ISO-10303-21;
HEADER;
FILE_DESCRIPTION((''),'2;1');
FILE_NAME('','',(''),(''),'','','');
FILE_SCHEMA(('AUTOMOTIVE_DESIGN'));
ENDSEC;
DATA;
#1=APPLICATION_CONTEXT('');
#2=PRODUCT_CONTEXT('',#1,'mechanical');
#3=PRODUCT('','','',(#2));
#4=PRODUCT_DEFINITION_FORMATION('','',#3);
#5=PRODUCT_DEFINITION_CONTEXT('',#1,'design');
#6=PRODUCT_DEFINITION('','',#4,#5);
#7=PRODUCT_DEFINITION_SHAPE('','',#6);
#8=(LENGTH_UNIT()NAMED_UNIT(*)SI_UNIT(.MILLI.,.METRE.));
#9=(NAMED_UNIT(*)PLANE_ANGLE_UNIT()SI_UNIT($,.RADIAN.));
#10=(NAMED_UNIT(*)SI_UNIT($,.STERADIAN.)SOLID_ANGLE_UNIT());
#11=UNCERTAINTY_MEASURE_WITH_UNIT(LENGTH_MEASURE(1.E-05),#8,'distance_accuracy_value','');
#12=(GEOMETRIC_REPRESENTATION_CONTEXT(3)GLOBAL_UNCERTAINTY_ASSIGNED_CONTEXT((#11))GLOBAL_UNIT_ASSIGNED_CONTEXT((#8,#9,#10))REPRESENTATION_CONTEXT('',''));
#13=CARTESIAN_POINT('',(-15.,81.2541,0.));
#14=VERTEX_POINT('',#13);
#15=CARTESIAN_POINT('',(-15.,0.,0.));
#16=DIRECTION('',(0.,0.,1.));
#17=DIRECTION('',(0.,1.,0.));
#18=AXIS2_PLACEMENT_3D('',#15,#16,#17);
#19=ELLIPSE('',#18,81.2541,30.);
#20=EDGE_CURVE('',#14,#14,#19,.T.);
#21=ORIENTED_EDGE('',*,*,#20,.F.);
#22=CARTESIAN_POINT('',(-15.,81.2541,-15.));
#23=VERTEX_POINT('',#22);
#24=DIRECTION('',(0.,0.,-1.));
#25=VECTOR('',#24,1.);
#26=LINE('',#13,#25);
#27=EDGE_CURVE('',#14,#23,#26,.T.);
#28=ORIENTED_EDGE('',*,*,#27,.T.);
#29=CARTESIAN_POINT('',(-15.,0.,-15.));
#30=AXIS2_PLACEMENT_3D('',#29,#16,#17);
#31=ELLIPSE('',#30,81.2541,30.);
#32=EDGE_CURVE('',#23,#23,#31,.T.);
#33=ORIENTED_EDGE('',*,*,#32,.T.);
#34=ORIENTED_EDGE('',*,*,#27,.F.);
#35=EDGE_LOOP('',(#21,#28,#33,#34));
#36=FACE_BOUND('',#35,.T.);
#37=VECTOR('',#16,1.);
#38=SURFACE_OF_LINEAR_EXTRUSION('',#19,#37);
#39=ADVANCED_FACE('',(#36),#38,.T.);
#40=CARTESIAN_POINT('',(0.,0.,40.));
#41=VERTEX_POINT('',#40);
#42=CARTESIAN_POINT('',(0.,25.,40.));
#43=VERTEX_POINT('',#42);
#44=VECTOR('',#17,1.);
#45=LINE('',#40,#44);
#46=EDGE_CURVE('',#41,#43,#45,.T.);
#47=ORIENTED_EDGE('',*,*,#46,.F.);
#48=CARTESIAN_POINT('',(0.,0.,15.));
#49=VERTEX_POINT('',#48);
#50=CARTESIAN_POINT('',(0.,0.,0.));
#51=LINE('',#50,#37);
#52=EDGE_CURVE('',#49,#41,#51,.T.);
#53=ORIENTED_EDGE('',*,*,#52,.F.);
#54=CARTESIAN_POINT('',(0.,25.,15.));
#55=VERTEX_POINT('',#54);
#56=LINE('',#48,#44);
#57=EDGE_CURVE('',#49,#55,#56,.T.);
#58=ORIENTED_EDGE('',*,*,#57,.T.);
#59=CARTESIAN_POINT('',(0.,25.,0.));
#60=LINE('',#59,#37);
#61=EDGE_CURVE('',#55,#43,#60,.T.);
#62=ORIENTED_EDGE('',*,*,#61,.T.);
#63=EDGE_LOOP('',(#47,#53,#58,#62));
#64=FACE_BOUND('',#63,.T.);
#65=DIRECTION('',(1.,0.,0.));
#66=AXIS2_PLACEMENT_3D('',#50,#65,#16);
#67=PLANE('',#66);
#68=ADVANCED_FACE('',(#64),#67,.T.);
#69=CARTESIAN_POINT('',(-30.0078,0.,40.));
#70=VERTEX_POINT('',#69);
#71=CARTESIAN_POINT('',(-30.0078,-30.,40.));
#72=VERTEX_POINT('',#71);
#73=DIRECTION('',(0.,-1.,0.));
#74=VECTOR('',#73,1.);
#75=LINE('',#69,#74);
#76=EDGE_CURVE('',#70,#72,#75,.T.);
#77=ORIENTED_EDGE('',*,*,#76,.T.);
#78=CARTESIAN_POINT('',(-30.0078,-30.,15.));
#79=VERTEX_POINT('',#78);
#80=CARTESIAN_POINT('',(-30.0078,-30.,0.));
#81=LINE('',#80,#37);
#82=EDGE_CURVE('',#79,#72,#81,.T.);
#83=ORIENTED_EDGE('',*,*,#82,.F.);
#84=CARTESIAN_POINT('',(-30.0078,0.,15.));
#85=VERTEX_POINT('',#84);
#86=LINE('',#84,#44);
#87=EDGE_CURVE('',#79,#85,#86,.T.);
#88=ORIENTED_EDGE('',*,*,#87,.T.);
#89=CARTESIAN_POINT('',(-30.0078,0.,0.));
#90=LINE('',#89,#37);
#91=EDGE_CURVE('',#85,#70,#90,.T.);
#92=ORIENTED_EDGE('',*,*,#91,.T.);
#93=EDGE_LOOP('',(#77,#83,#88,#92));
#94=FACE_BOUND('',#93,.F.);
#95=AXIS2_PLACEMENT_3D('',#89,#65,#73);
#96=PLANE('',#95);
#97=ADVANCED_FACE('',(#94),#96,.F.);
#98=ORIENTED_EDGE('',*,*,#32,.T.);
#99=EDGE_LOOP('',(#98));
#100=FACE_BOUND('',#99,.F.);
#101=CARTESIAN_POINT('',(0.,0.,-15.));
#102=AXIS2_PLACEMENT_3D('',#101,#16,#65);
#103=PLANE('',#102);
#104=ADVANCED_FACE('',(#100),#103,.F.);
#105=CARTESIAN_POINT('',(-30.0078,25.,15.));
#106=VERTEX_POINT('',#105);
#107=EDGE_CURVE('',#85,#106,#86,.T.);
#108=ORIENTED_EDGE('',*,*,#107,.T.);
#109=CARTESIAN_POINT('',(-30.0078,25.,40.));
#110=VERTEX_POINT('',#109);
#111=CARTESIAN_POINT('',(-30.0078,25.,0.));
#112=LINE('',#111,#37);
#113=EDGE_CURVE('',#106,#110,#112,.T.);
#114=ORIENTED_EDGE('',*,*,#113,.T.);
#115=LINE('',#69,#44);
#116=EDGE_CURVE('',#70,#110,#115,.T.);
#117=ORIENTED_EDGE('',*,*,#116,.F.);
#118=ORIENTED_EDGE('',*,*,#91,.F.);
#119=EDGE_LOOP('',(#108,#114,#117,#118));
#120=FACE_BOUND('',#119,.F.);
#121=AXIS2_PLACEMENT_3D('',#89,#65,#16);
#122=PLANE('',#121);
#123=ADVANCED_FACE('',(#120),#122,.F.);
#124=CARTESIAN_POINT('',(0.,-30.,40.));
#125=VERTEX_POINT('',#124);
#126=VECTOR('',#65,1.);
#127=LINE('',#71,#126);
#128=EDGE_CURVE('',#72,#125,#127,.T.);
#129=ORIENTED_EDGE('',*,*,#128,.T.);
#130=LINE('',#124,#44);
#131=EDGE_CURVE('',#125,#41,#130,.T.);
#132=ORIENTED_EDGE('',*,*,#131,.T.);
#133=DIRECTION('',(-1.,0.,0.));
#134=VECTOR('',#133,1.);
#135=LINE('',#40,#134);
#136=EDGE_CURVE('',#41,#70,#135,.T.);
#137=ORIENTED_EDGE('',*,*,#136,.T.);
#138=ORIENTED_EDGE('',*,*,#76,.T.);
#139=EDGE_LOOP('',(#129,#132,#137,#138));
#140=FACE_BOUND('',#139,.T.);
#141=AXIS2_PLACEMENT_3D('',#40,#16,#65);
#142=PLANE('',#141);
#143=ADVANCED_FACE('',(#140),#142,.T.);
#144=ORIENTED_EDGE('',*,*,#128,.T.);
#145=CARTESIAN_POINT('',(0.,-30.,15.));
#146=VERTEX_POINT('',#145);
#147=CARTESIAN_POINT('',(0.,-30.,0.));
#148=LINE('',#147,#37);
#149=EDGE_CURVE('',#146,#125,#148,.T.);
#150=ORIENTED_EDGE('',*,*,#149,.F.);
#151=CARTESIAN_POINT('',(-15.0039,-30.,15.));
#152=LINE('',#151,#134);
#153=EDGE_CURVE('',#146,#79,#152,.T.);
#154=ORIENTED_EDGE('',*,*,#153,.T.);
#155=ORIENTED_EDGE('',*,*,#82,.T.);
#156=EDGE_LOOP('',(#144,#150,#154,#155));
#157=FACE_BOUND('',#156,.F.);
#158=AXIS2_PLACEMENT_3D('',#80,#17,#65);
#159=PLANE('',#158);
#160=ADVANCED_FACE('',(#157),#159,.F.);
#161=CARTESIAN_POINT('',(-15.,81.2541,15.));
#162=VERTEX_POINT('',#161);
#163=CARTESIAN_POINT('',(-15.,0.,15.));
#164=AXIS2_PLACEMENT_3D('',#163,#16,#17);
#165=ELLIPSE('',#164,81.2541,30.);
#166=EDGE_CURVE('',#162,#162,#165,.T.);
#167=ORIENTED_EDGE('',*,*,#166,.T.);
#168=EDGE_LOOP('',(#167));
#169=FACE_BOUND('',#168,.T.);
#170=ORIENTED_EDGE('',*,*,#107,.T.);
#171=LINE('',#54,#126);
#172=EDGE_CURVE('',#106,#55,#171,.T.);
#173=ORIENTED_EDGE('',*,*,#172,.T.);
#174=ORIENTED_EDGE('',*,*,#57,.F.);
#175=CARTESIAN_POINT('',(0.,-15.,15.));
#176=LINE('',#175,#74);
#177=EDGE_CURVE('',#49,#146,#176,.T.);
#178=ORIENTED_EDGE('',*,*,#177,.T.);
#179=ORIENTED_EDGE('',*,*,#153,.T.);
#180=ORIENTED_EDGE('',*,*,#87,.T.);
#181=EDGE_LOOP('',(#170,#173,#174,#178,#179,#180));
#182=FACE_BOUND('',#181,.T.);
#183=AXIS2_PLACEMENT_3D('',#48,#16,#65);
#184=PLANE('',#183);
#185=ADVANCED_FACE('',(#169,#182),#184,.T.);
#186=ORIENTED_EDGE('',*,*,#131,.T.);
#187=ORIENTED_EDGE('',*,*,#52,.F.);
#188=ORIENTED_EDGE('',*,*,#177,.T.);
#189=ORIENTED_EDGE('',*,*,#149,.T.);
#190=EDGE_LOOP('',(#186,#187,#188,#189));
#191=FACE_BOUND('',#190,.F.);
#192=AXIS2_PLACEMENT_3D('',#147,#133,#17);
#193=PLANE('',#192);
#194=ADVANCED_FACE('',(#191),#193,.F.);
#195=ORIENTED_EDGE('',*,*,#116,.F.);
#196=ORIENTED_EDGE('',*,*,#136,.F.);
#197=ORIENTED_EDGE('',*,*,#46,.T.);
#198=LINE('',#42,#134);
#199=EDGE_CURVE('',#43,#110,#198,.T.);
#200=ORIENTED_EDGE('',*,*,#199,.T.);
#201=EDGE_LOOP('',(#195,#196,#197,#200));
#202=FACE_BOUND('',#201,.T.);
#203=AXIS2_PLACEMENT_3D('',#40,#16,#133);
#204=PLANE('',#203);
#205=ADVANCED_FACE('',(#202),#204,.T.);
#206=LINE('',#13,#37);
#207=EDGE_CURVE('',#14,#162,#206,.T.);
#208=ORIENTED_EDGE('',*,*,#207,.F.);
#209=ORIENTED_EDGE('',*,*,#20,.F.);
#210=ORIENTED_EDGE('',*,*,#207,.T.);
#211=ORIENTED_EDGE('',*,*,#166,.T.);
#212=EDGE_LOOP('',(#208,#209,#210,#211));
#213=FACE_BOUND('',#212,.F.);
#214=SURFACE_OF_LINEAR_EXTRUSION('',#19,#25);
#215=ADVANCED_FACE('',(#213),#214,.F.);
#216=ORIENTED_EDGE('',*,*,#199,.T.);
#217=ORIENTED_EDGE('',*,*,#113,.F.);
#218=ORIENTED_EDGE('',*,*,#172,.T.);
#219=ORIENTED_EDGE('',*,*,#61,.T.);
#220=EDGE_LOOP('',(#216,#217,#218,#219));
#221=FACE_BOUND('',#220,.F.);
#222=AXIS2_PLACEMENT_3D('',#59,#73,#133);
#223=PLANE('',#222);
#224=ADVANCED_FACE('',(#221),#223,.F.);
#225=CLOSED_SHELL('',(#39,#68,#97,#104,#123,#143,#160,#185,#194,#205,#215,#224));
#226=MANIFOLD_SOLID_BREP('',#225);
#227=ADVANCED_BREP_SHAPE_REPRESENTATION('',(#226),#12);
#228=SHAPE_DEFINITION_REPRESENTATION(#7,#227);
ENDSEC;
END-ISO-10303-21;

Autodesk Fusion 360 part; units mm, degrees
sketch "Sketch1" plane through (0, 0, 0) normal (0, 0, 1) x (1, 0, 0)
  ellipse E0 centre (-15, 0) end of major axis (15, 0) minor radius 81.2541
  line L0 (-45, 0) -> (15, 0) construction
  line L1 (-15, -81.2541) -> (-15, 81.2541) construction
extrude "Extrude1" add sketch "Sketch1" along normal mid plane 30 makes body 1
sketch "Sketch2" plane through (0, 0, 0) normal (0, 0, 1) x (1, 0, 0)
  line L0 (0, 0) -> (-30.0078, 0)
  line L1 (-30.0078, 0) -> (-30.0078, -30)
  line L2 (-30.0078, -30) -> (0, -30)
  line L3 (0, -30) -> (0, 0)
  dimension "d3" = 30
extrude "Extrude2" add sketch "Sketch2" along normal blind 40 separate body makes body 2
extrude "Extrude3" add 1 faces at (-10.0026, 0, 13.3333) along direction (0, 1, 0) blind 25 on bodies 2 bodies 1 2
